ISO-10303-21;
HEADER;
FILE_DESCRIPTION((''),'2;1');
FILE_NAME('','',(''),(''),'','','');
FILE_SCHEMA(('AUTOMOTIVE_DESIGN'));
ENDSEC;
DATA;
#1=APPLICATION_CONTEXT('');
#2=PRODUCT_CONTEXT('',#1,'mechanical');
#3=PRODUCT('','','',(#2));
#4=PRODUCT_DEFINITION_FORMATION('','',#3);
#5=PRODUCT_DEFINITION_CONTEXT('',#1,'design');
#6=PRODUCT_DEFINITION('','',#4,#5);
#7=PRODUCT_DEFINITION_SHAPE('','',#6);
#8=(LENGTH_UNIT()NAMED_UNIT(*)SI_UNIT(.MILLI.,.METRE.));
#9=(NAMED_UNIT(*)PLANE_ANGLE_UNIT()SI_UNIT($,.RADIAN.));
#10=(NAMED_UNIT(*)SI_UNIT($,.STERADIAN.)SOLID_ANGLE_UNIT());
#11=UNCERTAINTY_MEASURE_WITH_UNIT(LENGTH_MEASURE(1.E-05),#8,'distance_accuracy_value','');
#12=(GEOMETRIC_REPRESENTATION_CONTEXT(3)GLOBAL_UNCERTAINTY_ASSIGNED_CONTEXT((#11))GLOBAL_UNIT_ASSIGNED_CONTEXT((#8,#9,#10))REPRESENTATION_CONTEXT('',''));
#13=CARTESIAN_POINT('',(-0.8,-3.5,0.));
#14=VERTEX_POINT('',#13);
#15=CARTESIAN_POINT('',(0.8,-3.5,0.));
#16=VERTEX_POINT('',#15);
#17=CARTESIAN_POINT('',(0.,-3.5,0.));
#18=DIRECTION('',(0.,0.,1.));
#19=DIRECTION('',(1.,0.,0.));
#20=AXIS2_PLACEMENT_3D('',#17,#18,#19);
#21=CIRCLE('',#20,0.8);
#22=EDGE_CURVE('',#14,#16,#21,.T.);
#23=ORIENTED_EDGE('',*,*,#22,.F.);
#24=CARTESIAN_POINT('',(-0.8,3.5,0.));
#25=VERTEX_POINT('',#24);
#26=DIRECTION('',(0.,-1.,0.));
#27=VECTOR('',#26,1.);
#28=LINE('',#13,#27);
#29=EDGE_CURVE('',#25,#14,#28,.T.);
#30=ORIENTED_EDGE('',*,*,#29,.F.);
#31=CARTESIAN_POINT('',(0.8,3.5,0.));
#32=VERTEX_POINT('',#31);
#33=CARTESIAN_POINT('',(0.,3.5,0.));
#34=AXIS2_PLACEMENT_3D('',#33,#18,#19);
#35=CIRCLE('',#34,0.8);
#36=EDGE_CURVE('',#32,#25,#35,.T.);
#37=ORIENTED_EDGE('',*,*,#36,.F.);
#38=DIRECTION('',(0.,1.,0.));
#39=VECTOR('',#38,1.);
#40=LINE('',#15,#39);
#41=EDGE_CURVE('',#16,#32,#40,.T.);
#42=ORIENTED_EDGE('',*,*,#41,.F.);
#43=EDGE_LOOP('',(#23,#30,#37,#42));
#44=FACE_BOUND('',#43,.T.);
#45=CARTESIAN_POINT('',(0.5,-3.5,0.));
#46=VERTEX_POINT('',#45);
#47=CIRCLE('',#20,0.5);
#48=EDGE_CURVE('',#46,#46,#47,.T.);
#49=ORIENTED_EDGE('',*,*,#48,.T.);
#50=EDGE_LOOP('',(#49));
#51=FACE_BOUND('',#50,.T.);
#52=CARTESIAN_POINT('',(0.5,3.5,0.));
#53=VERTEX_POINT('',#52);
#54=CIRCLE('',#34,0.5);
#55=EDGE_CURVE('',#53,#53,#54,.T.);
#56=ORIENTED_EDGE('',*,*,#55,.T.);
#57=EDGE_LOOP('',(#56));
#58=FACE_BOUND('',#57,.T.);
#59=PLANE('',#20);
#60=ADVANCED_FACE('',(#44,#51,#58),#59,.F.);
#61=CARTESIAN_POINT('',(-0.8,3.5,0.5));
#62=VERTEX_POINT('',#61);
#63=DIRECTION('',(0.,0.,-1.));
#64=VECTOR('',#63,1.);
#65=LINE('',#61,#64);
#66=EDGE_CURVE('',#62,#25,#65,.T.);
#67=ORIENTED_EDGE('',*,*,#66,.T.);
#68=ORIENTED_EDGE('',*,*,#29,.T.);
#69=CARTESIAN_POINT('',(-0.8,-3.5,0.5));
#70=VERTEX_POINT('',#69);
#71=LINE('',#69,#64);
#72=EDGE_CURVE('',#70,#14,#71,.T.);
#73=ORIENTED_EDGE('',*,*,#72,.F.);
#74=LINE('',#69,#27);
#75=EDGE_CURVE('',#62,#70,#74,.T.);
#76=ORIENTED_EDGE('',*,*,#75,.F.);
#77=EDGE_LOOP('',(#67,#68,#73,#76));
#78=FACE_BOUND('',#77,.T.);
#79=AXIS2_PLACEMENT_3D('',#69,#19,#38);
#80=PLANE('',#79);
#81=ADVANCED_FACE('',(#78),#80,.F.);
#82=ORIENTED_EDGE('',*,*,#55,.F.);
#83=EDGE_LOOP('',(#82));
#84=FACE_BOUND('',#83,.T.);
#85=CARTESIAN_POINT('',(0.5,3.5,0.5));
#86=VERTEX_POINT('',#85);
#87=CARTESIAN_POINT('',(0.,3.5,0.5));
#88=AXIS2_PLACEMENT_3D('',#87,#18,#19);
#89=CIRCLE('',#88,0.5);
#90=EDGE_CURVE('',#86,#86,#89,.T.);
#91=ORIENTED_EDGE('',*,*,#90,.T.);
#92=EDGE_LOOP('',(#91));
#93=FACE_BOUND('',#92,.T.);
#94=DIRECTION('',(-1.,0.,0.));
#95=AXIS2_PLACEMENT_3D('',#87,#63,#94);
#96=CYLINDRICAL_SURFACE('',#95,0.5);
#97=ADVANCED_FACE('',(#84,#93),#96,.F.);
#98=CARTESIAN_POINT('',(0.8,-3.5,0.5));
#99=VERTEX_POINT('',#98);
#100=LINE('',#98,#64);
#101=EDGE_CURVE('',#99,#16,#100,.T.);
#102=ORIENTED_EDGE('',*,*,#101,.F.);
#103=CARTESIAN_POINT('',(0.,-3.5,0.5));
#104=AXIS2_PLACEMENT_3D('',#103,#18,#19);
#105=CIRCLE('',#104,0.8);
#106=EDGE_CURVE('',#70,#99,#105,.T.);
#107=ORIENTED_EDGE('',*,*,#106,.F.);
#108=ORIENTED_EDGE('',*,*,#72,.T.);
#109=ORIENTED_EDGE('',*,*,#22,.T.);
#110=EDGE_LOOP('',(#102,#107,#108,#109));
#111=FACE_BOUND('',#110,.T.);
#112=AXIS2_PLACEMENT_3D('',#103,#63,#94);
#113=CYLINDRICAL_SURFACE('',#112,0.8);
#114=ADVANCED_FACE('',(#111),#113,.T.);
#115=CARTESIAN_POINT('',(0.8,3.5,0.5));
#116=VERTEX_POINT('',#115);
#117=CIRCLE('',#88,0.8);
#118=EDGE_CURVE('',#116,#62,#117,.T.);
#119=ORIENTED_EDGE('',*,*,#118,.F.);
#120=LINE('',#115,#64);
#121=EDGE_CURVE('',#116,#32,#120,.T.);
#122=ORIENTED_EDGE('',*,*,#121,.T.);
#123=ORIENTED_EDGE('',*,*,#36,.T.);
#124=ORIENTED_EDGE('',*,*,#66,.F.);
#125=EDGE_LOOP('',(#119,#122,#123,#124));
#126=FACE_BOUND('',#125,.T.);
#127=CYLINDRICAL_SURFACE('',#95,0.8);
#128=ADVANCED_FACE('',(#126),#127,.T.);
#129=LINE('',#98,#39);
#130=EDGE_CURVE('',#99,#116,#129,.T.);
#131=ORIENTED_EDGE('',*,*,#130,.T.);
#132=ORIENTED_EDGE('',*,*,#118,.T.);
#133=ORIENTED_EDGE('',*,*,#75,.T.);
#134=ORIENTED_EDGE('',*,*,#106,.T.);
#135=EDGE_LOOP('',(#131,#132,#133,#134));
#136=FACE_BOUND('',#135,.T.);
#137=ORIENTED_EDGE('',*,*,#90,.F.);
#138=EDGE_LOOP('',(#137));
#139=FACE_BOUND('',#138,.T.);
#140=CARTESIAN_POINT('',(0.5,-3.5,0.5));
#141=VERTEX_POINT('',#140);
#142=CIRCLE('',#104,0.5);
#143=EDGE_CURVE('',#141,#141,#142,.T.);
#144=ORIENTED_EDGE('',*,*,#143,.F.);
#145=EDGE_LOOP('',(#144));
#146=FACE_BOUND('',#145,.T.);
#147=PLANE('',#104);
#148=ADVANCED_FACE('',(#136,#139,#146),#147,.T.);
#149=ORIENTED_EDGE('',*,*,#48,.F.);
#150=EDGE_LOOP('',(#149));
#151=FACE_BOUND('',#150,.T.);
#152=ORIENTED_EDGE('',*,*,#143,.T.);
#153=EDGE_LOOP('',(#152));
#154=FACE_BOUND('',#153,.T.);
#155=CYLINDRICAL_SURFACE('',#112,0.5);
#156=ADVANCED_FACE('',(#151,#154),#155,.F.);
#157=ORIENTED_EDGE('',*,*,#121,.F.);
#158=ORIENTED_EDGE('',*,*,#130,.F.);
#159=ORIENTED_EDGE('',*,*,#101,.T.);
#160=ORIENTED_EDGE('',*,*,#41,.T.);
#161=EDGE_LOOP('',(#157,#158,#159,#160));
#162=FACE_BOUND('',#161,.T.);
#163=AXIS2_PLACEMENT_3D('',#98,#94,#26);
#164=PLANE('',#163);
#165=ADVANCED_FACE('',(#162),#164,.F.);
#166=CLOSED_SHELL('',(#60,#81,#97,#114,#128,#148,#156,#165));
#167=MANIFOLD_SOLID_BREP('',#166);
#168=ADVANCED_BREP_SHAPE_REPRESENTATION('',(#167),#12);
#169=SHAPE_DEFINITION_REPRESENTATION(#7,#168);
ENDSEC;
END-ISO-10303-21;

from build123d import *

# Parameters (mm, degrees)
SKETCH_1_R      = 0.5
EXTRUDE_1_DEPTH = 0.5


with BuildPart() as part:
    # 草圖1 → 填料-伸長1 (new body)
    with BuildSketch(Plane.XY):
        with BuildLine():
            Line((-0.8, -3.5), (-0.8, 3.5))
            ThreePointArc((-0.8, 3.5), (0, 4.3), (0.8, 3.5))
            Line((0.8, 3.5), (0.8, -3.5))
            ThreePointArc((0.8, -3.5), (0, -4.3), (-0.8, -3.5))
        make_face()
        with Locations((0, 3.5)):
            Circle(SKETCH_1_R, mode=Mode.SUBTRACT)
        with Locations((0, -3.5)):
            Circle(SKETCH_1_R, mode=Mode.SUBTRACT)
    extrude(amount=EXTRUDE_1_DEPTH)


solid = part.part
